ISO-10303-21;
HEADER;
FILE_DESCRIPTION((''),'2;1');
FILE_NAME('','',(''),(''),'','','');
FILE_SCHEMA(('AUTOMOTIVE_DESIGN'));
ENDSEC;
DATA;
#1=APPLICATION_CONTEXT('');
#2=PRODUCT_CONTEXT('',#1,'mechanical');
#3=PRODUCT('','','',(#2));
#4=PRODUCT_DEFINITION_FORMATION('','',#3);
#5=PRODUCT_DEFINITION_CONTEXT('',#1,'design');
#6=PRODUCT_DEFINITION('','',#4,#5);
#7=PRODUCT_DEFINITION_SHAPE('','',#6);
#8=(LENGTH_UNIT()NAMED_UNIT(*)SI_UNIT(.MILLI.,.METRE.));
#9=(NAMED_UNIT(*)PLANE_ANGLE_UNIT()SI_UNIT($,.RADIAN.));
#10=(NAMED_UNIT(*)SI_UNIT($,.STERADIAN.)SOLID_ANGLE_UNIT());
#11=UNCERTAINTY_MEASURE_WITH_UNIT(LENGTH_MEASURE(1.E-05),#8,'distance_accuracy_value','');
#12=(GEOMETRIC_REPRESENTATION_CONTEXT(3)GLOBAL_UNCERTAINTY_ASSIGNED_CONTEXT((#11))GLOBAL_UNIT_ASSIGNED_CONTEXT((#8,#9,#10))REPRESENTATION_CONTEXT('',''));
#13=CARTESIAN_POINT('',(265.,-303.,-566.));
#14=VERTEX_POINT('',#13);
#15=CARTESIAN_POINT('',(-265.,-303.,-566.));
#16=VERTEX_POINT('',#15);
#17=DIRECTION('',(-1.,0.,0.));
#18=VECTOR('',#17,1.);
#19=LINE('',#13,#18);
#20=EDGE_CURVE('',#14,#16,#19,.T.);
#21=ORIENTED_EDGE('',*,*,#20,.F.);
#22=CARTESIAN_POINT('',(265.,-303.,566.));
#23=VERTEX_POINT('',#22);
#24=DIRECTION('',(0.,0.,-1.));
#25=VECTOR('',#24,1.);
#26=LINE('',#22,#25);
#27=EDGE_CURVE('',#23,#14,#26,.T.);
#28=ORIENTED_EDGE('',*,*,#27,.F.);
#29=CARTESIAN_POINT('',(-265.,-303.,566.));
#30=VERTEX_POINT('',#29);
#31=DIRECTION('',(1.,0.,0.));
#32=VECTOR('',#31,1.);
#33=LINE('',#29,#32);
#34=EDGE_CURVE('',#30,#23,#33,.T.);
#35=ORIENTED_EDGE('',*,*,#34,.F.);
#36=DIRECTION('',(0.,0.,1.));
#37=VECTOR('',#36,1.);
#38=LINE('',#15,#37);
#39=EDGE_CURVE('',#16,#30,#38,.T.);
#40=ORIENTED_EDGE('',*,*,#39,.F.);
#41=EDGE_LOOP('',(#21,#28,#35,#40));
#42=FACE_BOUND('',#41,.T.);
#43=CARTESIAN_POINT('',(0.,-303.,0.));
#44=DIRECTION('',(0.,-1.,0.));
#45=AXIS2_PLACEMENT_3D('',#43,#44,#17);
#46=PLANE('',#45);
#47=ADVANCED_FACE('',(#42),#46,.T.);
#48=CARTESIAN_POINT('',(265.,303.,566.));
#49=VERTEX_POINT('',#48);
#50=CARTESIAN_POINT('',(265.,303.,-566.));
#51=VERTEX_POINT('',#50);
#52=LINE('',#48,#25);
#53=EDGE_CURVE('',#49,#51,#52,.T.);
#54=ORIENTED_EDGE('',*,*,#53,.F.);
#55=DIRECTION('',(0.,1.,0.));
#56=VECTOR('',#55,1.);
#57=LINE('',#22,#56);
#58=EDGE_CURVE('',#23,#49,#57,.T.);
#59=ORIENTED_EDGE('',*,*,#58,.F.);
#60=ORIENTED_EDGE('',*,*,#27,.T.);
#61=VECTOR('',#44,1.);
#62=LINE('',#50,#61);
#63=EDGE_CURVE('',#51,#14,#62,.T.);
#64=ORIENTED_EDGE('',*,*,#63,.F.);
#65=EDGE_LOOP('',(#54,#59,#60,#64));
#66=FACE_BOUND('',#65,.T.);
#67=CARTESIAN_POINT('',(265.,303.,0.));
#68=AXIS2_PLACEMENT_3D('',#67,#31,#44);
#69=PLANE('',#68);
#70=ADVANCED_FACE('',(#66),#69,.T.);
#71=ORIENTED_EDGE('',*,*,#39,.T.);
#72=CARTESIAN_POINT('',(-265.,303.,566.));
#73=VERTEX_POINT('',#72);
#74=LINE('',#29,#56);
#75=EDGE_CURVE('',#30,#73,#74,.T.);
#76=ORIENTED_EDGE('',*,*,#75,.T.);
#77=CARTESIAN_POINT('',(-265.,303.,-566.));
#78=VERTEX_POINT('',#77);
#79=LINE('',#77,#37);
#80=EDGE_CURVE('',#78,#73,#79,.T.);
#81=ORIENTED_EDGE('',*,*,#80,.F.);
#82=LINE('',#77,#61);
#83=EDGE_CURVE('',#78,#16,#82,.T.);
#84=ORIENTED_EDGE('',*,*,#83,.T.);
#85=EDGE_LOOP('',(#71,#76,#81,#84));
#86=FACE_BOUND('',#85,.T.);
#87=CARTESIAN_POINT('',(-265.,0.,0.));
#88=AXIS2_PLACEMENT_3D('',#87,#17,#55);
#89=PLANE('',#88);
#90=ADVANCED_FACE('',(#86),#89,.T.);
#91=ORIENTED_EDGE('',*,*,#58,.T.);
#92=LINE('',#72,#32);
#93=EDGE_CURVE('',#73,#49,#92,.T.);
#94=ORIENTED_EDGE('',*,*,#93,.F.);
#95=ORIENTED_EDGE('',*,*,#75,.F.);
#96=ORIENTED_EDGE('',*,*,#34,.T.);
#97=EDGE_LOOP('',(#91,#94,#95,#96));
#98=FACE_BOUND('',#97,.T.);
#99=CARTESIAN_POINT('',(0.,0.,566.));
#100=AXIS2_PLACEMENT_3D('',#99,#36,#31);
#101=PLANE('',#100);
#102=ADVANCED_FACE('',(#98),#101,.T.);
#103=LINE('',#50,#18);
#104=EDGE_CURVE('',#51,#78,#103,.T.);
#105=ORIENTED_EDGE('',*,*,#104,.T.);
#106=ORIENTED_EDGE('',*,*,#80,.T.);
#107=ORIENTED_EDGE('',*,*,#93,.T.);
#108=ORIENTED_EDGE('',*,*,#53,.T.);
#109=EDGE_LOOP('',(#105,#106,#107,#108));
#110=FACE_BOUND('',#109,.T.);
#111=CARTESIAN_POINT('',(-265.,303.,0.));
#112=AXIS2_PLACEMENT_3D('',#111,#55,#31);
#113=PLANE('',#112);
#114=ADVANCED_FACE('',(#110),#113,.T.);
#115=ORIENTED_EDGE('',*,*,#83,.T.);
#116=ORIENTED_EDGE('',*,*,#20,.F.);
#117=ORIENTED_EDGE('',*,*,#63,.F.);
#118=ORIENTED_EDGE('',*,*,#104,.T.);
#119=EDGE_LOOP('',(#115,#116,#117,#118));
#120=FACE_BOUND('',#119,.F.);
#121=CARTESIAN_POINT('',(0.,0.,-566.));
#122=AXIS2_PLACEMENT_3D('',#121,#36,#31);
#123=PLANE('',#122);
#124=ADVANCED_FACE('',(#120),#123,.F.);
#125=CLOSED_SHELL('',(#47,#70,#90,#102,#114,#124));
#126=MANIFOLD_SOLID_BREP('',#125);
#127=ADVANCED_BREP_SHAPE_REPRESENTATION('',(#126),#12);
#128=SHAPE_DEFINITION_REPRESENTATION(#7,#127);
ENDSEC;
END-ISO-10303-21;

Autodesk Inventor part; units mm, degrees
ref_plane "YZ Plane" through (0, 0, 0) normal (1, 0, 0) x (0, 1, 0)
ref_plane "XZ Plane" through (0, 0, 0) normal (0, 1, 0) x (-1, 0, 0)
ref_plane "XY Plane" through (0, 0, 0) normal (0, 0, 1) x (1, 0, 0)
sketch "スケッチ1" plane through (0, 0, 0) normal (0, 0, 1) x (1, 0, 0)
  line L0 (-265, 303) -> (265, 303)
  line L1 (265, 303) -> (265, -303)
  line L2 (265, -303) -> (-265, -303)
  line L3 (-265, -303) -> (-265, 303)
  line L4 (0, -424.2) -> (0, 424.2) projected
  line L5 (-371, 0) -> (371, 0) projected
  point P0 (0, 0)
  point P1 (0, 303)
  point P2 (-265, 0)
  dimension "d2" = 530
  dimension "d3" = 606
extrude "押し出し1" add sketch "スケッチ1" along normal mid plane 1132
properties part number "F-nose"
